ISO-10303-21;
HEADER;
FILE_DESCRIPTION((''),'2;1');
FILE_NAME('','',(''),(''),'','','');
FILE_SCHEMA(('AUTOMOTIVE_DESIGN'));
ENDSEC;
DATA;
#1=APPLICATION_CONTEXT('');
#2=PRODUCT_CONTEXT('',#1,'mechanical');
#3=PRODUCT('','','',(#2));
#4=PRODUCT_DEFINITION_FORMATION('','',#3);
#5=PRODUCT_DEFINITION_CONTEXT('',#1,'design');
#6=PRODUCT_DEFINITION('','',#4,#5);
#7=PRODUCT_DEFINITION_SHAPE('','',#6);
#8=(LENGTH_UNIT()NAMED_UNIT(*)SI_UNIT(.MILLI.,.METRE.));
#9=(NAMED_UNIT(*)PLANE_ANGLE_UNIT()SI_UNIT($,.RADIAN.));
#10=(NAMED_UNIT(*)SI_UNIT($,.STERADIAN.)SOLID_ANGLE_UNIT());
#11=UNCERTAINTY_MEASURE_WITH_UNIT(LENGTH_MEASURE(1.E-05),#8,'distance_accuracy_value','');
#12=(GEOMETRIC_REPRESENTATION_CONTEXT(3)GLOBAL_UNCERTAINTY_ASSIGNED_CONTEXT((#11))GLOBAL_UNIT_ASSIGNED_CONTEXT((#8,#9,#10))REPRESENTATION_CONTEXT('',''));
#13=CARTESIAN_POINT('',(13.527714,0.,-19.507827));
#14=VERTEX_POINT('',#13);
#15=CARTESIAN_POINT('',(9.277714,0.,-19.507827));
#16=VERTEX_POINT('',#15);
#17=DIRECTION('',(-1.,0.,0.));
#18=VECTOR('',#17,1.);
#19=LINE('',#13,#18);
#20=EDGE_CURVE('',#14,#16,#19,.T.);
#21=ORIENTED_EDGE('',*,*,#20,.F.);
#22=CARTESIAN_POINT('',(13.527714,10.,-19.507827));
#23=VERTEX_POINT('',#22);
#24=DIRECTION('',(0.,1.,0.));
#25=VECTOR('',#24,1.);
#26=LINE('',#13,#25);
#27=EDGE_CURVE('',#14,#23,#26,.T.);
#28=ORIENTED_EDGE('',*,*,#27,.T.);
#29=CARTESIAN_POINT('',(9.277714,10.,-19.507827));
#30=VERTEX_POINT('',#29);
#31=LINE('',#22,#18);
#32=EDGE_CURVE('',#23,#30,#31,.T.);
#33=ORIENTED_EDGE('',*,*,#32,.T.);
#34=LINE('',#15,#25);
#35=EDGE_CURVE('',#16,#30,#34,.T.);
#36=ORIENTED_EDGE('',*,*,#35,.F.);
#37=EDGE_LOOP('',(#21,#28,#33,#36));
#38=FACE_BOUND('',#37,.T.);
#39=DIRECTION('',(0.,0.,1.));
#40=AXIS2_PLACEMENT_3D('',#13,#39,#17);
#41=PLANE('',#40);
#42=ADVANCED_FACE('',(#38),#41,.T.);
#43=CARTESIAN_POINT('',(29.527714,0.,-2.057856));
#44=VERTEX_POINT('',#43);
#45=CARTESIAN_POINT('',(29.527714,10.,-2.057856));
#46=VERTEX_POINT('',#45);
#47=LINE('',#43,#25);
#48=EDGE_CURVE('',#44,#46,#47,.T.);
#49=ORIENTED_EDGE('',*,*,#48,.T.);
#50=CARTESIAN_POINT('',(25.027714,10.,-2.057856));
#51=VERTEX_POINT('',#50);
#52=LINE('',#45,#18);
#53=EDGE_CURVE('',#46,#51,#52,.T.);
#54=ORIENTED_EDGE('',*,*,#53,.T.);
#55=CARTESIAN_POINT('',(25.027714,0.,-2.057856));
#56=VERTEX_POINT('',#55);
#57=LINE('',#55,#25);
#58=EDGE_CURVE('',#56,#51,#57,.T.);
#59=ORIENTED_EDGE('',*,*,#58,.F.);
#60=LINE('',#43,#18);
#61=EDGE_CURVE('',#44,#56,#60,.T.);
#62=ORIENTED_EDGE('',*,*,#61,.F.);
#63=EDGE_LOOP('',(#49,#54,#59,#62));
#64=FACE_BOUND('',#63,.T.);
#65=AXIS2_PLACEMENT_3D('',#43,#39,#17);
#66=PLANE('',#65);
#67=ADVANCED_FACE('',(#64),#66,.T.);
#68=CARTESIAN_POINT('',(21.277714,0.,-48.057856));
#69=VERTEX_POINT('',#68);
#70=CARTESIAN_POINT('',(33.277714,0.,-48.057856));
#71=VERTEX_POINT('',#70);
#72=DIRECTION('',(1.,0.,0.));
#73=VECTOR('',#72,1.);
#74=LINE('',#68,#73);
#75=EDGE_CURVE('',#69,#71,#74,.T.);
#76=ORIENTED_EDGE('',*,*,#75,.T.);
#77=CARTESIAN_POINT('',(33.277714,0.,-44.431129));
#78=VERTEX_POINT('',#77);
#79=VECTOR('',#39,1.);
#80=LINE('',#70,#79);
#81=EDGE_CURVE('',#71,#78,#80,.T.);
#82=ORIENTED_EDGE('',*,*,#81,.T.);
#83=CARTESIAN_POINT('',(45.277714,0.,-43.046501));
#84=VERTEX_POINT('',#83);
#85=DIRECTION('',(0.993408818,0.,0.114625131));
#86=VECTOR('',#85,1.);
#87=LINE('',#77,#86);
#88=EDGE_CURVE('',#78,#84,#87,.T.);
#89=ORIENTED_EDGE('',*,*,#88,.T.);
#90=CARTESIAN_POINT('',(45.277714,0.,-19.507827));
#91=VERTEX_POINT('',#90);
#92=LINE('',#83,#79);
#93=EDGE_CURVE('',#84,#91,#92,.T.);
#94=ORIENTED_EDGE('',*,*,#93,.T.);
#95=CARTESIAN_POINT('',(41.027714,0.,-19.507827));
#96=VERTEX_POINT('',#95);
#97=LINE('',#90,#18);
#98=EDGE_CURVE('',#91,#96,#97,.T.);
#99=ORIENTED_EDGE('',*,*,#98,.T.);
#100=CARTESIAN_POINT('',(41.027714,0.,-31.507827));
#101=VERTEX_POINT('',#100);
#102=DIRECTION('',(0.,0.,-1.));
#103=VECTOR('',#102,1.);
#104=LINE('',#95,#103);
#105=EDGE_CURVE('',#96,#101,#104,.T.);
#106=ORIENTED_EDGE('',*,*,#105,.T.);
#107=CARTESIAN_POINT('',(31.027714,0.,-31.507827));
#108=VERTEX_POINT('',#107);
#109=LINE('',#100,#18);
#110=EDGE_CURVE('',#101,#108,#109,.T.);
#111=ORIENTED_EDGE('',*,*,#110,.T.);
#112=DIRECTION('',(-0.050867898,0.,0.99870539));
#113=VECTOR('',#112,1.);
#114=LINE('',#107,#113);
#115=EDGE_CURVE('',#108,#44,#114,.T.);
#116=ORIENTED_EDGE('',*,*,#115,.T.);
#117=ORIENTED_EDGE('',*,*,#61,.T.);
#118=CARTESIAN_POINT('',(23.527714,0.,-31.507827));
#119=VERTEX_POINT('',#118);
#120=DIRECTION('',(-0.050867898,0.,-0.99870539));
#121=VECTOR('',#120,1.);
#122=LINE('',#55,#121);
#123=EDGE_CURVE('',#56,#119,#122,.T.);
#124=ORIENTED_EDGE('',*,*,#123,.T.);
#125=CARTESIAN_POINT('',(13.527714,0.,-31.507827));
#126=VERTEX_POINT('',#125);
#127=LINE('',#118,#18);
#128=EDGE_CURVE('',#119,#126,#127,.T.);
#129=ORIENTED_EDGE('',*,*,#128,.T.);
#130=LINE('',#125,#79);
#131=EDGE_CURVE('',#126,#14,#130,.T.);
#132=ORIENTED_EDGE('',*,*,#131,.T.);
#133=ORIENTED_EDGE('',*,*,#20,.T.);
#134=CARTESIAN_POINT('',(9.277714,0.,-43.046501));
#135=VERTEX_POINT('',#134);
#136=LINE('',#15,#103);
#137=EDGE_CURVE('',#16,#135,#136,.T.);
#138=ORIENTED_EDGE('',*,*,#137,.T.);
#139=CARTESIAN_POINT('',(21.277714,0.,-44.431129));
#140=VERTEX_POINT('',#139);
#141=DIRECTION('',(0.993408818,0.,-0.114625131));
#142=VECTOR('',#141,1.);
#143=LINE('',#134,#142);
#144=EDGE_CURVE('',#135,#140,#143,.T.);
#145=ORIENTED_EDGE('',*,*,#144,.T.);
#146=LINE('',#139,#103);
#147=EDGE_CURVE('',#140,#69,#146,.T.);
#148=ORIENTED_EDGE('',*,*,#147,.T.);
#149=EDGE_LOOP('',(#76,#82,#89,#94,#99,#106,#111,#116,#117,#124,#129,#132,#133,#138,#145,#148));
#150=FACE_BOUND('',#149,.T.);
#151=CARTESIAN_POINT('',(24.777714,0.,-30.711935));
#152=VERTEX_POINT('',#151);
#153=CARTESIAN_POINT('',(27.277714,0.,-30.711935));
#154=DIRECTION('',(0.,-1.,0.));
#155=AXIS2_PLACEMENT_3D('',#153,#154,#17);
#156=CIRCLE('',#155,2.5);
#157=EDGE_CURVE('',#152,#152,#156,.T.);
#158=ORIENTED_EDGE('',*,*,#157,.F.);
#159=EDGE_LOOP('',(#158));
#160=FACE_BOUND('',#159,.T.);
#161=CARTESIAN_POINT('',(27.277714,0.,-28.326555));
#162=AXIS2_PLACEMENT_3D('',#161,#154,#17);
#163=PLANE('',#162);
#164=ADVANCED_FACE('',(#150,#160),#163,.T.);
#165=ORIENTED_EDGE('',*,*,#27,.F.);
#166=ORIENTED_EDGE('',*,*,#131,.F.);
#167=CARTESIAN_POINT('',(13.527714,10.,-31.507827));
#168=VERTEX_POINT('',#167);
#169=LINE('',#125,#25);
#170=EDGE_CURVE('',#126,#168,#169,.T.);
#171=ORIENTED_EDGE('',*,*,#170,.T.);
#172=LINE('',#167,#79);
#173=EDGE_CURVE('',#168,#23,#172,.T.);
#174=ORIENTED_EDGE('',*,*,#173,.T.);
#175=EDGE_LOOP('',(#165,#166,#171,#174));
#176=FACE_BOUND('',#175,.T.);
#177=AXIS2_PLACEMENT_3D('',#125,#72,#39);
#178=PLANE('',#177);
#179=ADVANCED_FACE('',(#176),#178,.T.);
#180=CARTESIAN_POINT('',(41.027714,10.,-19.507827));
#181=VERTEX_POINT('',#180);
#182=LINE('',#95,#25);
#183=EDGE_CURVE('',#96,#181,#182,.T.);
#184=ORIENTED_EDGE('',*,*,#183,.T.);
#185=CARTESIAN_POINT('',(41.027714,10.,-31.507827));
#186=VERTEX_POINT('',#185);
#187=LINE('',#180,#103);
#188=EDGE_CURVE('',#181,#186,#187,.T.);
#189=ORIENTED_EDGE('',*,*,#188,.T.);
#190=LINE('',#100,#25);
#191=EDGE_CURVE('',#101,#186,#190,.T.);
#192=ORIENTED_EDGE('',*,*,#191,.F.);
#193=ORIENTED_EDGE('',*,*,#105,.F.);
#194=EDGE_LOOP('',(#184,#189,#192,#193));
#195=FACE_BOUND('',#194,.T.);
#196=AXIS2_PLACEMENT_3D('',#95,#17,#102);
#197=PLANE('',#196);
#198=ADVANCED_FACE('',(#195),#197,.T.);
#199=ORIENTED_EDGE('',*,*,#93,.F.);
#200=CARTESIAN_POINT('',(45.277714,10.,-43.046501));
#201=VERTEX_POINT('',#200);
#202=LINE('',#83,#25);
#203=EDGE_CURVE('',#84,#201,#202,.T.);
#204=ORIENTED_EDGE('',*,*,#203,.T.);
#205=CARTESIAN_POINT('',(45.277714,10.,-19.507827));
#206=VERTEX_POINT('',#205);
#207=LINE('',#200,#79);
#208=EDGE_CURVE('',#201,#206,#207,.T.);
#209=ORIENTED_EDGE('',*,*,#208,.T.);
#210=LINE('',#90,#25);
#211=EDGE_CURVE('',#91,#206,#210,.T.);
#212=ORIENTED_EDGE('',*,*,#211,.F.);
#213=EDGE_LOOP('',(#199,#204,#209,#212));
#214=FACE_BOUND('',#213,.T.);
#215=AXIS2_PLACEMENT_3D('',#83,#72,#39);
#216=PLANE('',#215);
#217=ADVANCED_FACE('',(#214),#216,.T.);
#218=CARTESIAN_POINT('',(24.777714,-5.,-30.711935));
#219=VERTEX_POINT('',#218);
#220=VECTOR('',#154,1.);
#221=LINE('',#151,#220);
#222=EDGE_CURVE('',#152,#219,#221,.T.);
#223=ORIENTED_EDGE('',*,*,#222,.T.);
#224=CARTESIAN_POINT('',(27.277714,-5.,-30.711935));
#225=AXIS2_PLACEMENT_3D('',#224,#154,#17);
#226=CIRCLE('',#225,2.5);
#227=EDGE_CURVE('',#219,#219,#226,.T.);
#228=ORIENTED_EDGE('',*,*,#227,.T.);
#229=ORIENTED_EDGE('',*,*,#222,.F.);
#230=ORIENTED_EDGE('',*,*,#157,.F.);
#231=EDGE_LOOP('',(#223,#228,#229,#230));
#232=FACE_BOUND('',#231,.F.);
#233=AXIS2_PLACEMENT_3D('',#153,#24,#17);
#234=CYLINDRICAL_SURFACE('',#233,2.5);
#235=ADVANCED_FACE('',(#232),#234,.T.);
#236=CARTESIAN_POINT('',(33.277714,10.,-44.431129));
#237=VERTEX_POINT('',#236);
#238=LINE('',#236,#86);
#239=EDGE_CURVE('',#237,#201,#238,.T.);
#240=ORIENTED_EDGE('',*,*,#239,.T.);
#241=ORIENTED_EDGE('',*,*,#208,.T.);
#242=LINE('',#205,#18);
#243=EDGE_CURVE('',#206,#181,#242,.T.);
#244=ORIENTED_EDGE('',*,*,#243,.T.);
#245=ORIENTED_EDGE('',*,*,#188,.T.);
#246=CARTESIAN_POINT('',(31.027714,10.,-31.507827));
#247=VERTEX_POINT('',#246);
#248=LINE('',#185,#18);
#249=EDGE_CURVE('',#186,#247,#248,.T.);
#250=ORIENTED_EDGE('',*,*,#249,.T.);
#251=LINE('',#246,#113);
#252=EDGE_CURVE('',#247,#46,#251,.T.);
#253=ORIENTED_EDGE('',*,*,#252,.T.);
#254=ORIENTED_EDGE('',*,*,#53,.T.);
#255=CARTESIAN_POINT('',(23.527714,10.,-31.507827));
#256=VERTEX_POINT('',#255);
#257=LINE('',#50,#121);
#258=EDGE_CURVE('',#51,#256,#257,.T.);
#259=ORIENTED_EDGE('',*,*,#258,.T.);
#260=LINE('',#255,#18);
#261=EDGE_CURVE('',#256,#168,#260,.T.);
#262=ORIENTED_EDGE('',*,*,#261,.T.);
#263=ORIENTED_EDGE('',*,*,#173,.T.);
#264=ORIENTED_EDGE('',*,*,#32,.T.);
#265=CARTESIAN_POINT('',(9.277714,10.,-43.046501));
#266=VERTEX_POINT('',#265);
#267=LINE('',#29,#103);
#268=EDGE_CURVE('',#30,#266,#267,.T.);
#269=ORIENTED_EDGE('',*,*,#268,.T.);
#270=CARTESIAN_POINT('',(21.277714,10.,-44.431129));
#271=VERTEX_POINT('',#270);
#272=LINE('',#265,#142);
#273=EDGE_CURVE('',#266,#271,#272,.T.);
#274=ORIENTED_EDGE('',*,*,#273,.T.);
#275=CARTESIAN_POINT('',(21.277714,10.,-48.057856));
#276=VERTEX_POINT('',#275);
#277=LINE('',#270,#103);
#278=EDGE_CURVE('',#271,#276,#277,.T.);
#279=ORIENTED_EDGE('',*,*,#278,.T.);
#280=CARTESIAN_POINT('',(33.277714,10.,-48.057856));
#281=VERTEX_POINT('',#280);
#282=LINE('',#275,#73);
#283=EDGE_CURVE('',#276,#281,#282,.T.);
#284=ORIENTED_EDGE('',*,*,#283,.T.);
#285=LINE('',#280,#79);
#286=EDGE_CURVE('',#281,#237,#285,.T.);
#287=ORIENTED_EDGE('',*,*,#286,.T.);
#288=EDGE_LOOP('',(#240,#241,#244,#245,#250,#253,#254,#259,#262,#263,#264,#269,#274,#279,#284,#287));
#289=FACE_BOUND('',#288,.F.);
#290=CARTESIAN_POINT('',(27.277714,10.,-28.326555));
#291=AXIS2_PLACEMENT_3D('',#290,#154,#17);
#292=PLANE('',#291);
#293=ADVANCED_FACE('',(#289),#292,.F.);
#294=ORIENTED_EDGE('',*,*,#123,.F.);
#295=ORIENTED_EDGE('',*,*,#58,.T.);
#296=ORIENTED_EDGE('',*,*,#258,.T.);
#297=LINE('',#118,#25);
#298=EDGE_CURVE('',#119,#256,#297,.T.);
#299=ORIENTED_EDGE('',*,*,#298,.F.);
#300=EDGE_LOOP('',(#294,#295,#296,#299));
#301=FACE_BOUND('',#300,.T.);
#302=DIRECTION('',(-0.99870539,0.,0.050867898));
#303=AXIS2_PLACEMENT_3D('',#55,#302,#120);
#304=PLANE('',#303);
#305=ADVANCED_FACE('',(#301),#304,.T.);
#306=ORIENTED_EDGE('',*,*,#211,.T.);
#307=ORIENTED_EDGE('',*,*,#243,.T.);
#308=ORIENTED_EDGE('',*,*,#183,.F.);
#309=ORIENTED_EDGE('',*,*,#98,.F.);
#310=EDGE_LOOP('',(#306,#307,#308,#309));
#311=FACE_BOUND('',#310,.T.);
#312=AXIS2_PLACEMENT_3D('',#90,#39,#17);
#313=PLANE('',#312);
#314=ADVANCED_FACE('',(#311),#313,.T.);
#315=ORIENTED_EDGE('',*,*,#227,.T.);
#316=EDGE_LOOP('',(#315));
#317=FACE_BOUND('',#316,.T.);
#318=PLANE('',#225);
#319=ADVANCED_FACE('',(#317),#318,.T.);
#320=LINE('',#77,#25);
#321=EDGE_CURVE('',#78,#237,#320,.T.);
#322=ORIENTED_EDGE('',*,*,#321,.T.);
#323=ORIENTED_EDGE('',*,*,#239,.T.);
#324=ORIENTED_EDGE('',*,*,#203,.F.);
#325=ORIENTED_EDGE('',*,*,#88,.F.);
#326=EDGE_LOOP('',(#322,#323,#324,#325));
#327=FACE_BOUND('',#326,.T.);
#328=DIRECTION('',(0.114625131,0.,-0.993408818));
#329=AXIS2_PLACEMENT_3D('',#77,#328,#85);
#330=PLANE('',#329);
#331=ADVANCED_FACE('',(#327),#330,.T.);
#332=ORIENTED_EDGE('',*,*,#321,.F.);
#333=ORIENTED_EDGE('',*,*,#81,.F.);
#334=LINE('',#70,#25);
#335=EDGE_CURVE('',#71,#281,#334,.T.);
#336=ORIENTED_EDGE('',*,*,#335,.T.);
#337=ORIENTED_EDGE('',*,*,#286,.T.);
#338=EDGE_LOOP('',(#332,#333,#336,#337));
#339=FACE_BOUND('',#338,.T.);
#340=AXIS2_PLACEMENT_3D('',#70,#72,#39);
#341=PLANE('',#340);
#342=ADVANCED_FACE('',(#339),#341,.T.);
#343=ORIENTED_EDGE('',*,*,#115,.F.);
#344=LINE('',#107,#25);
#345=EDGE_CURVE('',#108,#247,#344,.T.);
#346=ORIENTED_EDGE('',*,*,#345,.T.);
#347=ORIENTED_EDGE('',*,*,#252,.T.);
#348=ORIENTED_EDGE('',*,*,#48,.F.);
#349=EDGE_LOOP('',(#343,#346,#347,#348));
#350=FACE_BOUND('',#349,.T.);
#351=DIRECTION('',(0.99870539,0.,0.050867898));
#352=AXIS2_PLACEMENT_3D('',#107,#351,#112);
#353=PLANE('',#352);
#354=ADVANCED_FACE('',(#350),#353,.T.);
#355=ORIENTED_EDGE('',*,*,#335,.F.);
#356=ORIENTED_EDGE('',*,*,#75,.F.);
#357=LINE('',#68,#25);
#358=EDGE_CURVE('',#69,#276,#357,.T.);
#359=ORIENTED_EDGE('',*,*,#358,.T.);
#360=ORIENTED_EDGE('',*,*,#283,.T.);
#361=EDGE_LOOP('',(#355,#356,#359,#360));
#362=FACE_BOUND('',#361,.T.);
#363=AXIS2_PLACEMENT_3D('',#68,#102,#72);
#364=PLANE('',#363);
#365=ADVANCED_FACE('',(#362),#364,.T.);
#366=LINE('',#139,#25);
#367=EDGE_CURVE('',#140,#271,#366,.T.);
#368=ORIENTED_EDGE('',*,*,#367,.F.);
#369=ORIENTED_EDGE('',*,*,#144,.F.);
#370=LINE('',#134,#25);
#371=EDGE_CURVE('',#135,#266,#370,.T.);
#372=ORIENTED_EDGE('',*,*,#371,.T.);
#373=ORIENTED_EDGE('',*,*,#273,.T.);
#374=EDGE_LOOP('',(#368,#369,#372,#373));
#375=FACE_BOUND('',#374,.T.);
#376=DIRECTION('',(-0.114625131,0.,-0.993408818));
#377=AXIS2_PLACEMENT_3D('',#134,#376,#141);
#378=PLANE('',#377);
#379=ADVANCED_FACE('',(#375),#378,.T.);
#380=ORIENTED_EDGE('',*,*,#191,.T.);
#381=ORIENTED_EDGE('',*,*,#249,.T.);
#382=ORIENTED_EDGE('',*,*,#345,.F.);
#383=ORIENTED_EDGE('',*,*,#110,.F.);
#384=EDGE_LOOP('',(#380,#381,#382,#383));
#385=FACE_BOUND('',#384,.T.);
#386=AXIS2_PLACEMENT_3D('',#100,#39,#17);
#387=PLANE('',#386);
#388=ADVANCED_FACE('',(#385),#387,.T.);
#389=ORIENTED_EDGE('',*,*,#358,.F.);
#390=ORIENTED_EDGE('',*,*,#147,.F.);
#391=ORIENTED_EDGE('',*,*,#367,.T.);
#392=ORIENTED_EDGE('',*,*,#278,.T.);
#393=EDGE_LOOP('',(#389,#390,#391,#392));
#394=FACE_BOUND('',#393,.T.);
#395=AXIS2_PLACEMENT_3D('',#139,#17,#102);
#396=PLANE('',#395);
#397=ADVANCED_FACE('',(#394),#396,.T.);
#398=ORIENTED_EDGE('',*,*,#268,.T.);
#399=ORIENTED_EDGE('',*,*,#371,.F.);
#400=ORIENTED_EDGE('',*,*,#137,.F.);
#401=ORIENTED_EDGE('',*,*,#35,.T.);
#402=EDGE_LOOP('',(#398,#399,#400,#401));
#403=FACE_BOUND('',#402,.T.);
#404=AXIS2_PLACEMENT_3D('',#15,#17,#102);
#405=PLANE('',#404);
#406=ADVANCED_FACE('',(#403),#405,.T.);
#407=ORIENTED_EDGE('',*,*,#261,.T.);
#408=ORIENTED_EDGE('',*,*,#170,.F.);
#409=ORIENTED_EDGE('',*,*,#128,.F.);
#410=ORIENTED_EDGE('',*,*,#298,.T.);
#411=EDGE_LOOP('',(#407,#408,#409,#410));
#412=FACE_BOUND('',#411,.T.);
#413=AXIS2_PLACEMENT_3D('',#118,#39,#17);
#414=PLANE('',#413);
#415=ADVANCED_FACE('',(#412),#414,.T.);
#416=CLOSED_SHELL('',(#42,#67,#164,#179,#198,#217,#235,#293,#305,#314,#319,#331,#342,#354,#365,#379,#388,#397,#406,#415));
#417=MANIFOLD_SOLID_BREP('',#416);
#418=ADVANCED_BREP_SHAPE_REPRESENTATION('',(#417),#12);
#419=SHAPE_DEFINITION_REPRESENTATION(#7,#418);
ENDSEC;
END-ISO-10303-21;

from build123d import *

# Parameters (mm, degrees)
BOSS_EXTRUDE1_DEPTH = 10
SKETCH2_R           = 2.5
BOSS_EXTRUDE2_DEPTH = 5


with BuildPart() as part:
    # Sketch1 → Boss-Extrude1 (new body)
    with BuildSketch(Plane(origin=(0, 0, 0), x_dir=(1, 0, 0), z_dir=(0, 1, 0))):
        Polygon((21.277713785, 48.057856326), (33.277713785, 48.057856326), (33.277713785, 44.431129223), (45.277713785, 43.046501314), (45.277713785, 19.507826857), (41.027713785, 19.507826857), (41.027713785, 31.507826857), (31.027713785, 31.507826857), (29.527713785, 2.057856326), (25.027713785, 2.057856326), (23.527713785, 31.507826857), (13.527713785, 31.507826857), (13.527713785, 19.507826857), (9.277713785, 19.507826857), (9.277713785, 43.046501314), (21.277713785, 44.431129223), align=None)
    extrude(amount=BOSS_EXTRUDE1_DEPTH)

    # Sketch2 → Boss-Extrude2 (add)
    with BuildSketch(Plane(origin=(0, 0, 0), x_dir=(-1, 0, 0), z_dir=(0, -1, 0))):
        with Locations((-27.277713785, 30.711934537)):
            Circle(SKETCH2_R)
    extrude(amount=BOSS_EXTRUDE2_DEPTH)


solid = part.part
